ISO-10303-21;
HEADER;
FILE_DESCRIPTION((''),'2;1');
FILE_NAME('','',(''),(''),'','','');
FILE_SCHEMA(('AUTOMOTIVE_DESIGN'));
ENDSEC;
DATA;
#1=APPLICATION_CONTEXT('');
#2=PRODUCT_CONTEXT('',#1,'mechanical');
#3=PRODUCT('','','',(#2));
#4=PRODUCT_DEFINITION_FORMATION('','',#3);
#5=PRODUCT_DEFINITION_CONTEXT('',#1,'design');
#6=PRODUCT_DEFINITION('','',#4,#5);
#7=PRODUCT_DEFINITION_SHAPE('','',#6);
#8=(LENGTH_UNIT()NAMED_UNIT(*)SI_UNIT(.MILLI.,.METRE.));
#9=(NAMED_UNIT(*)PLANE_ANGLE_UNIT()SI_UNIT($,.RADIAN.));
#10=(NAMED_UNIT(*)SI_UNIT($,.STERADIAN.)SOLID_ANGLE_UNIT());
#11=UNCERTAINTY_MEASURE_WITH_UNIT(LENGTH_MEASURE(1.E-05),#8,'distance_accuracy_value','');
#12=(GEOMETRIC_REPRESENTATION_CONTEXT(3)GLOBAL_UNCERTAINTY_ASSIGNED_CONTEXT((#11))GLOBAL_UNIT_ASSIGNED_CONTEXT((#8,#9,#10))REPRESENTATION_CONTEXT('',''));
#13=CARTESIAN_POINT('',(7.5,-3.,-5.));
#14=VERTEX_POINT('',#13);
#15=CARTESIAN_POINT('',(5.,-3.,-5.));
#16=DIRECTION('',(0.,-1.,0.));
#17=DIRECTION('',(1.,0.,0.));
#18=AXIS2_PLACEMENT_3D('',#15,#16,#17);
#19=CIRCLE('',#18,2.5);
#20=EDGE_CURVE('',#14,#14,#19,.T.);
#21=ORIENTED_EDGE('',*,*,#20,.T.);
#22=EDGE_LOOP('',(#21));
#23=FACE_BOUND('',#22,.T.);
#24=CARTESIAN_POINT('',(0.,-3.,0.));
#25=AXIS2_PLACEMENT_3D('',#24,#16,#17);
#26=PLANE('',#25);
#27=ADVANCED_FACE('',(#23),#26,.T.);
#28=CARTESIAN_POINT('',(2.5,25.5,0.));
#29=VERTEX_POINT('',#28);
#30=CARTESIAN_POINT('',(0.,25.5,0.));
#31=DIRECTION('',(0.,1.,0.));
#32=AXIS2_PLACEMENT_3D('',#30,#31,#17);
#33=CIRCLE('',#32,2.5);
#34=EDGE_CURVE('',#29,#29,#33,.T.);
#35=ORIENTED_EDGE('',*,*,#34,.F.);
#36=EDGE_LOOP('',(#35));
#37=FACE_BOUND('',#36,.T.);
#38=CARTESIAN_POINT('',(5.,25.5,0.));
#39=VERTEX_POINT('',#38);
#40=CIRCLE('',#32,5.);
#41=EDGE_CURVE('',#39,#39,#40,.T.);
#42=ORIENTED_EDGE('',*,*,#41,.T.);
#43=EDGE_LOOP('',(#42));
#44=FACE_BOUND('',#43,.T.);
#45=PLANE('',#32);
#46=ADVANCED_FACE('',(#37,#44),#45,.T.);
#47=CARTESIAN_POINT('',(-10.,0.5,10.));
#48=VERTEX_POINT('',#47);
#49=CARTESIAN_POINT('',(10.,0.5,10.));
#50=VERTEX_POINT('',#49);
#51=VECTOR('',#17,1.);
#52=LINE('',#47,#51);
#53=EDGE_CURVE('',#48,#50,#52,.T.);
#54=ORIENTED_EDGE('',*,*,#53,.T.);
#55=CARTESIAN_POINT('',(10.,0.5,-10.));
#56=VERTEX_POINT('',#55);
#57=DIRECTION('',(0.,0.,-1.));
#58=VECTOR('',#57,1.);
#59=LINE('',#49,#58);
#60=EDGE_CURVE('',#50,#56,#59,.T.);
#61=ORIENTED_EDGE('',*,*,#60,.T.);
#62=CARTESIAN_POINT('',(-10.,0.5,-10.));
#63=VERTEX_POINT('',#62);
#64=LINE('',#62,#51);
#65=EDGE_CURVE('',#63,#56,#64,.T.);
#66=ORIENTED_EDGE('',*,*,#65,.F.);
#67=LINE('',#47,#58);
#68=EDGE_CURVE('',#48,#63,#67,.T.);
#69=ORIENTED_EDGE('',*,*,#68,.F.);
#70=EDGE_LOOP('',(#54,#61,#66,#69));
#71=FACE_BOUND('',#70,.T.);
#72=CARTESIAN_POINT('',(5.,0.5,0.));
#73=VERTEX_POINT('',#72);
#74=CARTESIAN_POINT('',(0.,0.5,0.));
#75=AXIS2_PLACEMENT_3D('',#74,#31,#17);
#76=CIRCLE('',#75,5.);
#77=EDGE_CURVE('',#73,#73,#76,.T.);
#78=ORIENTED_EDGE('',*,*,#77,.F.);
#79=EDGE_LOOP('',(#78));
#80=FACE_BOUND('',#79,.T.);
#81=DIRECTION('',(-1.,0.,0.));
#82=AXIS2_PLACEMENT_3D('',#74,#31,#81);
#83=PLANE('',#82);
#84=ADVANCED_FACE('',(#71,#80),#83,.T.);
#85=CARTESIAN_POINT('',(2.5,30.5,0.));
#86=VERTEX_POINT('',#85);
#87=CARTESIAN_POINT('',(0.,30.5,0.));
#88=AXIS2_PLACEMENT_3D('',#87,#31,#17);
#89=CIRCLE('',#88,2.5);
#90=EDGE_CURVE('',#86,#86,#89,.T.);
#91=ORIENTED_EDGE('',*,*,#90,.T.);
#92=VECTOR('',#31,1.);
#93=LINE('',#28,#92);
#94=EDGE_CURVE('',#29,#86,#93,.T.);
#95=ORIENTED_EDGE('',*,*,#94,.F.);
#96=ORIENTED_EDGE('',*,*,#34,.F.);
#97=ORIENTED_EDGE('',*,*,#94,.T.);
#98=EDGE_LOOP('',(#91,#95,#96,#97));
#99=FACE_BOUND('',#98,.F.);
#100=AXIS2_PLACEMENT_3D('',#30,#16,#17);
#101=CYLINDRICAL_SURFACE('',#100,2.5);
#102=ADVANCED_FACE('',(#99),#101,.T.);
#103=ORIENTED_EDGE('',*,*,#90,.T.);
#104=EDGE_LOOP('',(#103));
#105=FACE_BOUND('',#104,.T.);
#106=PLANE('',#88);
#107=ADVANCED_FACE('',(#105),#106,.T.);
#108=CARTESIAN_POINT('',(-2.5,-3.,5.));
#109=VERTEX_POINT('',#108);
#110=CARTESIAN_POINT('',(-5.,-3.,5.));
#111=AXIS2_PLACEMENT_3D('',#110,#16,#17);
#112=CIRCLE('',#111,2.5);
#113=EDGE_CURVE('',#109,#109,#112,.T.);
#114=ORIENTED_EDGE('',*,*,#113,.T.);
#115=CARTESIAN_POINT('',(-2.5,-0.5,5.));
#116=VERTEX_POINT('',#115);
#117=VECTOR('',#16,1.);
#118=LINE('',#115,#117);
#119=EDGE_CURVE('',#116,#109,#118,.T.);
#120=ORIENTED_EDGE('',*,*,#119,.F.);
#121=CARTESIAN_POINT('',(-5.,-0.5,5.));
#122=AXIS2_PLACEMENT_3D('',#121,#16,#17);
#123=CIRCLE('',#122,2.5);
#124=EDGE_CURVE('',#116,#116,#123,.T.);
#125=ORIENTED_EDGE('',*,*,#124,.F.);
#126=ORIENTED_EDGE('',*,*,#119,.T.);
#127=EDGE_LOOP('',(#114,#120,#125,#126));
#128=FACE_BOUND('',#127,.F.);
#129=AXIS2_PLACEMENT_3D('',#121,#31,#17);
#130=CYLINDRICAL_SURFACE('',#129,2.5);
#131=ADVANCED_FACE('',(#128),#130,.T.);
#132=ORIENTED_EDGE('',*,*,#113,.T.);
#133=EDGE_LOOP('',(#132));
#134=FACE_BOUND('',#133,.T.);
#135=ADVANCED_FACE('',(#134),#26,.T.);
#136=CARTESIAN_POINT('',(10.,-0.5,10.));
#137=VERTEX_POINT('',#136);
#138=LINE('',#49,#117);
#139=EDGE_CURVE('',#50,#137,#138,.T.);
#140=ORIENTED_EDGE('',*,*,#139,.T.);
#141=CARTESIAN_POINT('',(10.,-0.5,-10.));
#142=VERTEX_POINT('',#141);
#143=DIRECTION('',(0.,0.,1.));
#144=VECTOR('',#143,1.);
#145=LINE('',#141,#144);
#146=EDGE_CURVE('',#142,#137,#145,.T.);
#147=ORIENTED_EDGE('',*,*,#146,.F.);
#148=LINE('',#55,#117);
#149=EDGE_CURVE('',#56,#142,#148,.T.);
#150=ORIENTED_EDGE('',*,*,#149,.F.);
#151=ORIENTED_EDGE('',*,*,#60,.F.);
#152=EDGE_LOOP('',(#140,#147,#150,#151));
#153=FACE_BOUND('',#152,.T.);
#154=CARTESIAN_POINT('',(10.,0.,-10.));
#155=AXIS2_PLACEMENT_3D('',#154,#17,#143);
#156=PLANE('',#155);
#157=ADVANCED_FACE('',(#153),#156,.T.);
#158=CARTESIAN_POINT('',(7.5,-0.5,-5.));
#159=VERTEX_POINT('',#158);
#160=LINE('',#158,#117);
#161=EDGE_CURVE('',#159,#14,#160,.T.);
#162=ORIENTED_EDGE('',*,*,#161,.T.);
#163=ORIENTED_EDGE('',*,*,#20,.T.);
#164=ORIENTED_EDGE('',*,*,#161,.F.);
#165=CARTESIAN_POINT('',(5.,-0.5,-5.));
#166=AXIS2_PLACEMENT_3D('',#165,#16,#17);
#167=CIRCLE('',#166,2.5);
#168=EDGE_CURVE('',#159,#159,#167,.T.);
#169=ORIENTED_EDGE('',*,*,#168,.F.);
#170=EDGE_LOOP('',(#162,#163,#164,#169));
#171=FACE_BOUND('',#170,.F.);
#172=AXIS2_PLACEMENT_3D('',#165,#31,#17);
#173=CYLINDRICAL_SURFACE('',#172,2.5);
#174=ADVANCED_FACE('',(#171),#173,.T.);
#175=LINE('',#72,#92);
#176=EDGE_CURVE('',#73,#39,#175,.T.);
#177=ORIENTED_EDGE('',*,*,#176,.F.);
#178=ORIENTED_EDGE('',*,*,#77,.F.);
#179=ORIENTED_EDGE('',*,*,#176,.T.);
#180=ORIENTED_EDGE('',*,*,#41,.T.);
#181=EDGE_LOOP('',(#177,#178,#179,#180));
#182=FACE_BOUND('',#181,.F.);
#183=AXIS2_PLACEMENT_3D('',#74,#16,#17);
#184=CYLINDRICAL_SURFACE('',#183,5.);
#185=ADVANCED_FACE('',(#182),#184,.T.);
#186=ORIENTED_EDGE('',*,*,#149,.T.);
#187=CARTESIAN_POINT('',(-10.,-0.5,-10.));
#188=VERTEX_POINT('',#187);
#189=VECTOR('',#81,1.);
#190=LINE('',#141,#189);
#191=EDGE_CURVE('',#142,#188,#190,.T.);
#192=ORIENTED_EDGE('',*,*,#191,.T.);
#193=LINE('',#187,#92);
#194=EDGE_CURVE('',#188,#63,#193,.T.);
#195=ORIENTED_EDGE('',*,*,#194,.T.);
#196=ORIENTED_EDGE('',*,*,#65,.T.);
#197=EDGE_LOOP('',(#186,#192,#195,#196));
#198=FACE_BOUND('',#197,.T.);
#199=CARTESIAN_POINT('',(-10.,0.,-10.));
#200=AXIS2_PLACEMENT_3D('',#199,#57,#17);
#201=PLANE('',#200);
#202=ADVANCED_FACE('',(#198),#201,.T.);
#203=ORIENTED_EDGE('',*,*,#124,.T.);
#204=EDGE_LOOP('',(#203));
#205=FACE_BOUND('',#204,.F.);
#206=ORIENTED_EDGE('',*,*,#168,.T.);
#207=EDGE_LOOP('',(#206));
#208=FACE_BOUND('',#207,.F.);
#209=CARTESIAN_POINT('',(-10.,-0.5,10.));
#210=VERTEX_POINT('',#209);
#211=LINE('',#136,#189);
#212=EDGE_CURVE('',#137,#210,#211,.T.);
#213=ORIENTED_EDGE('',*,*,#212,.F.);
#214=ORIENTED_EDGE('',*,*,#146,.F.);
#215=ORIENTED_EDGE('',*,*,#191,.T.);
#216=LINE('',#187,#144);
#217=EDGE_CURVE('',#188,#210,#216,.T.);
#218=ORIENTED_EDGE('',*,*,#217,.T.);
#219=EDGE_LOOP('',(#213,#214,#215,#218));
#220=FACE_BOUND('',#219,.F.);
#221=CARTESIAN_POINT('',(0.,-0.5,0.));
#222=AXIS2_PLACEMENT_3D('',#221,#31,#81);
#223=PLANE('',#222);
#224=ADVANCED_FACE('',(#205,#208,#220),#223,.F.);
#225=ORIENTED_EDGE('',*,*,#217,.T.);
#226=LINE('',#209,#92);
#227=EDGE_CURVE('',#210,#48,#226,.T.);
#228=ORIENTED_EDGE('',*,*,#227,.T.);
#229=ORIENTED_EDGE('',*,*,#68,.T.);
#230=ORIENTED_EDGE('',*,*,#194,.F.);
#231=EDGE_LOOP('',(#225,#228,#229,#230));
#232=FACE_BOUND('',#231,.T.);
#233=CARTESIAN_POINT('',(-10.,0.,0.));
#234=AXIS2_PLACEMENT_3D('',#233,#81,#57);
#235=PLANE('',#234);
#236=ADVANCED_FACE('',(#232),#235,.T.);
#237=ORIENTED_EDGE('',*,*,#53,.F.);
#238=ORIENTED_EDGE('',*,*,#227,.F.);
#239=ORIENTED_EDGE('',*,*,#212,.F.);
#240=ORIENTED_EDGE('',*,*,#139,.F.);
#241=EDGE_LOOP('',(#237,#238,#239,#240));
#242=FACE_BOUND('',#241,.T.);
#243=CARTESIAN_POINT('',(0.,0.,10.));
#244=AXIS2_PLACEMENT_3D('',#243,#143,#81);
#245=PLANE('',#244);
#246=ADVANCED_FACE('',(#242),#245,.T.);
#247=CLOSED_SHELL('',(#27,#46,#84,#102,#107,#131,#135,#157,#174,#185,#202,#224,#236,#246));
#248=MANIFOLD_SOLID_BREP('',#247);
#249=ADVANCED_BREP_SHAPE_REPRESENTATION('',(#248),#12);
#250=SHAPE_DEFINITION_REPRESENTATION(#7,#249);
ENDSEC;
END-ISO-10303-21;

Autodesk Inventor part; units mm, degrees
sketch "Sketch1" plane through (0, 0, 0) normal (0, 1, 0) x (-1, 0, 0)
  line L0 (10, -10) -> (-10, -10)
  line L1 (-10, -10) -> (-10, 10)
  line L2 (-10, 10) -> (10, 10)
  line L3 (10, 10) -> (10, -10)
  line L4 (0, -13.825) -> (0, 13.825) projected
  line L5 (-14, 0) -> (14, 0) projected
  point P0 (0, 0)
  point P1 (0, -10)
  point P2 (10, 0)
  dimension "d0" = 20
  dimension "d1" = 20
extrude "Extrusion1" add sketch "Sketch1" along normal mid plane 1
sketch "Sketch2" plane through (0, -0.5, 0) normal (0, -1, 0) x (1, 0, 0)
  circle A0 centre (-5, 5) radius 2.5
  line L0 (10, 10) -> (-10, 10) projected
  line L1 (-10, 10) -> (-10, -10) projected
  circle A1 centre (5, -5) radius 2.5
  point P0 (0, 0)
  dimension "d4" = 5
  dimension "d5" = 5
  dimension "d6" = 5
  dimension "d9" = 360
extrude "Extrusion2" add sketch "Sketch2" along normal blind 2.5
sketch "Sketch3" plane through (0, 0.5, 0) normal (0, 1, 0) x (1, 0, 0)
  circle A0 centre (0, 0) radius 5
  dimension "d13" = 10
extrude "Extrusion3" add sketch "Sketch3" along normal blind 25
sketch "Sketch7" plane through (0, 25.5, 0) normal (0, 1, 0) x (1, 0, 0)
  circle A0 centre (0, 0) radius 2.5
  dimension "d50" = 5
extrude "Extrusion4" add sketch "Sketch7" along normal blind 5
properties part number "Tree_Trunk"
